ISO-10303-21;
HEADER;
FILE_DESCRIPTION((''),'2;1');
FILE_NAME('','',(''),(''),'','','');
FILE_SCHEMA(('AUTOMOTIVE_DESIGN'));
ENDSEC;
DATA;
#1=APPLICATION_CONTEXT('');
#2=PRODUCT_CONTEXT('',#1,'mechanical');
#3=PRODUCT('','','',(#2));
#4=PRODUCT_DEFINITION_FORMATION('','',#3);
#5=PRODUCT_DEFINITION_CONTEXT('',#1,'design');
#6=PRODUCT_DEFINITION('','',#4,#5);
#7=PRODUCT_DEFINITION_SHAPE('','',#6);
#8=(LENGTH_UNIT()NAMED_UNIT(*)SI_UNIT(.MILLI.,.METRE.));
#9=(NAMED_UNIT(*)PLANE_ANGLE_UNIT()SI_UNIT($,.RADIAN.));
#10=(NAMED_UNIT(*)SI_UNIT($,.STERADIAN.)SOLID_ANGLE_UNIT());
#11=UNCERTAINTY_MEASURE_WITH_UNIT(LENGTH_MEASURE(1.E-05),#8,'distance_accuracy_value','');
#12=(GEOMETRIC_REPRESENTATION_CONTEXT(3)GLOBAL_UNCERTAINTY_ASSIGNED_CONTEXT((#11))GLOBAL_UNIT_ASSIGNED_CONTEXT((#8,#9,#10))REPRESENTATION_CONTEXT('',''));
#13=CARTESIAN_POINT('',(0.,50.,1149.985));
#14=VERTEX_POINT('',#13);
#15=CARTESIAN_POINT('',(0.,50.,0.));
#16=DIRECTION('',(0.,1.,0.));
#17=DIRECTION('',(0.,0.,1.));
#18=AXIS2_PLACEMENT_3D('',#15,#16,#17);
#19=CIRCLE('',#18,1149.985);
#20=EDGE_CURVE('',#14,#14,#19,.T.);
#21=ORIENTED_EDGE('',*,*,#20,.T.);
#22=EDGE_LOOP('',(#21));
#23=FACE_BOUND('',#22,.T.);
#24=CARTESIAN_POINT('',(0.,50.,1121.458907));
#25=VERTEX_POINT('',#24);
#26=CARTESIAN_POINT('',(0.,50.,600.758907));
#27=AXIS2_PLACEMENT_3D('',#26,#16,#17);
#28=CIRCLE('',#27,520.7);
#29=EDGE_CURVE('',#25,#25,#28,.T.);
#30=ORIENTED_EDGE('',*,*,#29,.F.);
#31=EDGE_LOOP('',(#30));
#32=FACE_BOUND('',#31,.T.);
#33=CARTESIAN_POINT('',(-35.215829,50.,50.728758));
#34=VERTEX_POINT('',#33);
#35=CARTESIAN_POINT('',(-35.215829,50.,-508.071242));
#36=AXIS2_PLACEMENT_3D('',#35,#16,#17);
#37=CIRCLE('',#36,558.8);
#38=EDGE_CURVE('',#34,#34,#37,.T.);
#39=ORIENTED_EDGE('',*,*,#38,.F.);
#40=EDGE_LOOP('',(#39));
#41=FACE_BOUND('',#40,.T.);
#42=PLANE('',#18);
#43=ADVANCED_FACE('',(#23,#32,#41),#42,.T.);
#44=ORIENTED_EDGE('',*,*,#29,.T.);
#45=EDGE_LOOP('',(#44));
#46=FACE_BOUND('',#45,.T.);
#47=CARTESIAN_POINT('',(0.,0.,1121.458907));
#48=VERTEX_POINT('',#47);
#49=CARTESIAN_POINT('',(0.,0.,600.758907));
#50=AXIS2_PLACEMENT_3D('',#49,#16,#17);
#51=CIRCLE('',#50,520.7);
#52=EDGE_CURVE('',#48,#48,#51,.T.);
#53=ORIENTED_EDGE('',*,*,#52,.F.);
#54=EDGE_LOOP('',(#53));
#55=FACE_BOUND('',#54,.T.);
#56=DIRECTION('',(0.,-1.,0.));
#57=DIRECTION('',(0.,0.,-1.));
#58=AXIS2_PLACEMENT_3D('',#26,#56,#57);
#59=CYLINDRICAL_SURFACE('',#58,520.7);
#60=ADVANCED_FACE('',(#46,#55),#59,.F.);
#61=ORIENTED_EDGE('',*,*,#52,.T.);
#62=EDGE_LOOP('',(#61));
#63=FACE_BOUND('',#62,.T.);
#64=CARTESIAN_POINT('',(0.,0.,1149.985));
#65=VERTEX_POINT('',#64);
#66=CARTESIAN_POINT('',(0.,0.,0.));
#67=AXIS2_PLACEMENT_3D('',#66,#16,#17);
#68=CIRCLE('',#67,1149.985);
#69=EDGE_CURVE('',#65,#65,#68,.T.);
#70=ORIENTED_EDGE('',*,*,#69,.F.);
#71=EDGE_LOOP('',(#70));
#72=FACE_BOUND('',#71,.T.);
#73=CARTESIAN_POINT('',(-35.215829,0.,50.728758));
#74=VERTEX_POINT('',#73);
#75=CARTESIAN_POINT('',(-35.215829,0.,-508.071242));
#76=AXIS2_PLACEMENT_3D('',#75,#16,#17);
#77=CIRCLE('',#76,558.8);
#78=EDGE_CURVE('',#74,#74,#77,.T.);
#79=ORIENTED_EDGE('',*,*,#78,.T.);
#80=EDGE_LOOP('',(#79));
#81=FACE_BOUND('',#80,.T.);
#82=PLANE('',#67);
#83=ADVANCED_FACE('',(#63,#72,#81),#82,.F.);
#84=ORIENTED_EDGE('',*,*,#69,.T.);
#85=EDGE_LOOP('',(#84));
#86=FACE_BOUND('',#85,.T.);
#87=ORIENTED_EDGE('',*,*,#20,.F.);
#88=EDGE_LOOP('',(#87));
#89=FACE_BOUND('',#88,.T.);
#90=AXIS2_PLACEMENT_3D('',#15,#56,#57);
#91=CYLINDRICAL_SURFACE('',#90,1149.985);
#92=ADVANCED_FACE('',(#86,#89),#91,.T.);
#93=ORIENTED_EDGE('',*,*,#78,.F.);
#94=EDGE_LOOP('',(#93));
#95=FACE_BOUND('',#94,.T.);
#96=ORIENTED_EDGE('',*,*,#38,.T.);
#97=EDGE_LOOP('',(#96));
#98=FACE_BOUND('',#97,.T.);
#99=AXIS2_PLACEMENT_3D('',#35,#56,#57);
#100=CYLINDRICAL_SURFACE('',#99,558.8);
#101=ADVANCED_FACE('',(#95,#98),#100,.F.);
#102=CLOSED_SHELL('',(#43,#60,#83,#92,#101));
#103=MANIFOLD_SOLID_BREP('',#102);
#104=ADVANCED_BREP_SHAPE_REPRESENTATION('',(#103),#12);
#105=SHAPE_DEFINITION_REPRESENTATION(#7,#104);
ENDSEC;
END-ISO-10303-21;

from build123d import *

# Parameters (mm, degrees)
SKETCH1_R           = 1149.985
SKETCH1_R_2         = 558.8
SKETCH1_R_3         = 520.7
BOSS_EXTRUDE1_DEPTH = 50


with BuildPart() as part:
    # Sketch1 → Boss-Extrude1 (new body)
    with BuildSketch(Plane(origin=(0, 0, 0), x_dir=(1, 0, 0), z_dir=(0, 1, 0))):
        Circle(SKETCH1_R)
        with Locations((-35.215829478, 508.071242417)):
            Circle(SKETCH1_R_2, mode=Mode.SUBTRACT)
        with Locations((0, -600.758907487)):
            Circle(SKETCH1_R_3, mode=Mode.SUBTRACT)
    extrude(amount=BOSS_EXTRUDE1_DEPTH)


solid = part.part
